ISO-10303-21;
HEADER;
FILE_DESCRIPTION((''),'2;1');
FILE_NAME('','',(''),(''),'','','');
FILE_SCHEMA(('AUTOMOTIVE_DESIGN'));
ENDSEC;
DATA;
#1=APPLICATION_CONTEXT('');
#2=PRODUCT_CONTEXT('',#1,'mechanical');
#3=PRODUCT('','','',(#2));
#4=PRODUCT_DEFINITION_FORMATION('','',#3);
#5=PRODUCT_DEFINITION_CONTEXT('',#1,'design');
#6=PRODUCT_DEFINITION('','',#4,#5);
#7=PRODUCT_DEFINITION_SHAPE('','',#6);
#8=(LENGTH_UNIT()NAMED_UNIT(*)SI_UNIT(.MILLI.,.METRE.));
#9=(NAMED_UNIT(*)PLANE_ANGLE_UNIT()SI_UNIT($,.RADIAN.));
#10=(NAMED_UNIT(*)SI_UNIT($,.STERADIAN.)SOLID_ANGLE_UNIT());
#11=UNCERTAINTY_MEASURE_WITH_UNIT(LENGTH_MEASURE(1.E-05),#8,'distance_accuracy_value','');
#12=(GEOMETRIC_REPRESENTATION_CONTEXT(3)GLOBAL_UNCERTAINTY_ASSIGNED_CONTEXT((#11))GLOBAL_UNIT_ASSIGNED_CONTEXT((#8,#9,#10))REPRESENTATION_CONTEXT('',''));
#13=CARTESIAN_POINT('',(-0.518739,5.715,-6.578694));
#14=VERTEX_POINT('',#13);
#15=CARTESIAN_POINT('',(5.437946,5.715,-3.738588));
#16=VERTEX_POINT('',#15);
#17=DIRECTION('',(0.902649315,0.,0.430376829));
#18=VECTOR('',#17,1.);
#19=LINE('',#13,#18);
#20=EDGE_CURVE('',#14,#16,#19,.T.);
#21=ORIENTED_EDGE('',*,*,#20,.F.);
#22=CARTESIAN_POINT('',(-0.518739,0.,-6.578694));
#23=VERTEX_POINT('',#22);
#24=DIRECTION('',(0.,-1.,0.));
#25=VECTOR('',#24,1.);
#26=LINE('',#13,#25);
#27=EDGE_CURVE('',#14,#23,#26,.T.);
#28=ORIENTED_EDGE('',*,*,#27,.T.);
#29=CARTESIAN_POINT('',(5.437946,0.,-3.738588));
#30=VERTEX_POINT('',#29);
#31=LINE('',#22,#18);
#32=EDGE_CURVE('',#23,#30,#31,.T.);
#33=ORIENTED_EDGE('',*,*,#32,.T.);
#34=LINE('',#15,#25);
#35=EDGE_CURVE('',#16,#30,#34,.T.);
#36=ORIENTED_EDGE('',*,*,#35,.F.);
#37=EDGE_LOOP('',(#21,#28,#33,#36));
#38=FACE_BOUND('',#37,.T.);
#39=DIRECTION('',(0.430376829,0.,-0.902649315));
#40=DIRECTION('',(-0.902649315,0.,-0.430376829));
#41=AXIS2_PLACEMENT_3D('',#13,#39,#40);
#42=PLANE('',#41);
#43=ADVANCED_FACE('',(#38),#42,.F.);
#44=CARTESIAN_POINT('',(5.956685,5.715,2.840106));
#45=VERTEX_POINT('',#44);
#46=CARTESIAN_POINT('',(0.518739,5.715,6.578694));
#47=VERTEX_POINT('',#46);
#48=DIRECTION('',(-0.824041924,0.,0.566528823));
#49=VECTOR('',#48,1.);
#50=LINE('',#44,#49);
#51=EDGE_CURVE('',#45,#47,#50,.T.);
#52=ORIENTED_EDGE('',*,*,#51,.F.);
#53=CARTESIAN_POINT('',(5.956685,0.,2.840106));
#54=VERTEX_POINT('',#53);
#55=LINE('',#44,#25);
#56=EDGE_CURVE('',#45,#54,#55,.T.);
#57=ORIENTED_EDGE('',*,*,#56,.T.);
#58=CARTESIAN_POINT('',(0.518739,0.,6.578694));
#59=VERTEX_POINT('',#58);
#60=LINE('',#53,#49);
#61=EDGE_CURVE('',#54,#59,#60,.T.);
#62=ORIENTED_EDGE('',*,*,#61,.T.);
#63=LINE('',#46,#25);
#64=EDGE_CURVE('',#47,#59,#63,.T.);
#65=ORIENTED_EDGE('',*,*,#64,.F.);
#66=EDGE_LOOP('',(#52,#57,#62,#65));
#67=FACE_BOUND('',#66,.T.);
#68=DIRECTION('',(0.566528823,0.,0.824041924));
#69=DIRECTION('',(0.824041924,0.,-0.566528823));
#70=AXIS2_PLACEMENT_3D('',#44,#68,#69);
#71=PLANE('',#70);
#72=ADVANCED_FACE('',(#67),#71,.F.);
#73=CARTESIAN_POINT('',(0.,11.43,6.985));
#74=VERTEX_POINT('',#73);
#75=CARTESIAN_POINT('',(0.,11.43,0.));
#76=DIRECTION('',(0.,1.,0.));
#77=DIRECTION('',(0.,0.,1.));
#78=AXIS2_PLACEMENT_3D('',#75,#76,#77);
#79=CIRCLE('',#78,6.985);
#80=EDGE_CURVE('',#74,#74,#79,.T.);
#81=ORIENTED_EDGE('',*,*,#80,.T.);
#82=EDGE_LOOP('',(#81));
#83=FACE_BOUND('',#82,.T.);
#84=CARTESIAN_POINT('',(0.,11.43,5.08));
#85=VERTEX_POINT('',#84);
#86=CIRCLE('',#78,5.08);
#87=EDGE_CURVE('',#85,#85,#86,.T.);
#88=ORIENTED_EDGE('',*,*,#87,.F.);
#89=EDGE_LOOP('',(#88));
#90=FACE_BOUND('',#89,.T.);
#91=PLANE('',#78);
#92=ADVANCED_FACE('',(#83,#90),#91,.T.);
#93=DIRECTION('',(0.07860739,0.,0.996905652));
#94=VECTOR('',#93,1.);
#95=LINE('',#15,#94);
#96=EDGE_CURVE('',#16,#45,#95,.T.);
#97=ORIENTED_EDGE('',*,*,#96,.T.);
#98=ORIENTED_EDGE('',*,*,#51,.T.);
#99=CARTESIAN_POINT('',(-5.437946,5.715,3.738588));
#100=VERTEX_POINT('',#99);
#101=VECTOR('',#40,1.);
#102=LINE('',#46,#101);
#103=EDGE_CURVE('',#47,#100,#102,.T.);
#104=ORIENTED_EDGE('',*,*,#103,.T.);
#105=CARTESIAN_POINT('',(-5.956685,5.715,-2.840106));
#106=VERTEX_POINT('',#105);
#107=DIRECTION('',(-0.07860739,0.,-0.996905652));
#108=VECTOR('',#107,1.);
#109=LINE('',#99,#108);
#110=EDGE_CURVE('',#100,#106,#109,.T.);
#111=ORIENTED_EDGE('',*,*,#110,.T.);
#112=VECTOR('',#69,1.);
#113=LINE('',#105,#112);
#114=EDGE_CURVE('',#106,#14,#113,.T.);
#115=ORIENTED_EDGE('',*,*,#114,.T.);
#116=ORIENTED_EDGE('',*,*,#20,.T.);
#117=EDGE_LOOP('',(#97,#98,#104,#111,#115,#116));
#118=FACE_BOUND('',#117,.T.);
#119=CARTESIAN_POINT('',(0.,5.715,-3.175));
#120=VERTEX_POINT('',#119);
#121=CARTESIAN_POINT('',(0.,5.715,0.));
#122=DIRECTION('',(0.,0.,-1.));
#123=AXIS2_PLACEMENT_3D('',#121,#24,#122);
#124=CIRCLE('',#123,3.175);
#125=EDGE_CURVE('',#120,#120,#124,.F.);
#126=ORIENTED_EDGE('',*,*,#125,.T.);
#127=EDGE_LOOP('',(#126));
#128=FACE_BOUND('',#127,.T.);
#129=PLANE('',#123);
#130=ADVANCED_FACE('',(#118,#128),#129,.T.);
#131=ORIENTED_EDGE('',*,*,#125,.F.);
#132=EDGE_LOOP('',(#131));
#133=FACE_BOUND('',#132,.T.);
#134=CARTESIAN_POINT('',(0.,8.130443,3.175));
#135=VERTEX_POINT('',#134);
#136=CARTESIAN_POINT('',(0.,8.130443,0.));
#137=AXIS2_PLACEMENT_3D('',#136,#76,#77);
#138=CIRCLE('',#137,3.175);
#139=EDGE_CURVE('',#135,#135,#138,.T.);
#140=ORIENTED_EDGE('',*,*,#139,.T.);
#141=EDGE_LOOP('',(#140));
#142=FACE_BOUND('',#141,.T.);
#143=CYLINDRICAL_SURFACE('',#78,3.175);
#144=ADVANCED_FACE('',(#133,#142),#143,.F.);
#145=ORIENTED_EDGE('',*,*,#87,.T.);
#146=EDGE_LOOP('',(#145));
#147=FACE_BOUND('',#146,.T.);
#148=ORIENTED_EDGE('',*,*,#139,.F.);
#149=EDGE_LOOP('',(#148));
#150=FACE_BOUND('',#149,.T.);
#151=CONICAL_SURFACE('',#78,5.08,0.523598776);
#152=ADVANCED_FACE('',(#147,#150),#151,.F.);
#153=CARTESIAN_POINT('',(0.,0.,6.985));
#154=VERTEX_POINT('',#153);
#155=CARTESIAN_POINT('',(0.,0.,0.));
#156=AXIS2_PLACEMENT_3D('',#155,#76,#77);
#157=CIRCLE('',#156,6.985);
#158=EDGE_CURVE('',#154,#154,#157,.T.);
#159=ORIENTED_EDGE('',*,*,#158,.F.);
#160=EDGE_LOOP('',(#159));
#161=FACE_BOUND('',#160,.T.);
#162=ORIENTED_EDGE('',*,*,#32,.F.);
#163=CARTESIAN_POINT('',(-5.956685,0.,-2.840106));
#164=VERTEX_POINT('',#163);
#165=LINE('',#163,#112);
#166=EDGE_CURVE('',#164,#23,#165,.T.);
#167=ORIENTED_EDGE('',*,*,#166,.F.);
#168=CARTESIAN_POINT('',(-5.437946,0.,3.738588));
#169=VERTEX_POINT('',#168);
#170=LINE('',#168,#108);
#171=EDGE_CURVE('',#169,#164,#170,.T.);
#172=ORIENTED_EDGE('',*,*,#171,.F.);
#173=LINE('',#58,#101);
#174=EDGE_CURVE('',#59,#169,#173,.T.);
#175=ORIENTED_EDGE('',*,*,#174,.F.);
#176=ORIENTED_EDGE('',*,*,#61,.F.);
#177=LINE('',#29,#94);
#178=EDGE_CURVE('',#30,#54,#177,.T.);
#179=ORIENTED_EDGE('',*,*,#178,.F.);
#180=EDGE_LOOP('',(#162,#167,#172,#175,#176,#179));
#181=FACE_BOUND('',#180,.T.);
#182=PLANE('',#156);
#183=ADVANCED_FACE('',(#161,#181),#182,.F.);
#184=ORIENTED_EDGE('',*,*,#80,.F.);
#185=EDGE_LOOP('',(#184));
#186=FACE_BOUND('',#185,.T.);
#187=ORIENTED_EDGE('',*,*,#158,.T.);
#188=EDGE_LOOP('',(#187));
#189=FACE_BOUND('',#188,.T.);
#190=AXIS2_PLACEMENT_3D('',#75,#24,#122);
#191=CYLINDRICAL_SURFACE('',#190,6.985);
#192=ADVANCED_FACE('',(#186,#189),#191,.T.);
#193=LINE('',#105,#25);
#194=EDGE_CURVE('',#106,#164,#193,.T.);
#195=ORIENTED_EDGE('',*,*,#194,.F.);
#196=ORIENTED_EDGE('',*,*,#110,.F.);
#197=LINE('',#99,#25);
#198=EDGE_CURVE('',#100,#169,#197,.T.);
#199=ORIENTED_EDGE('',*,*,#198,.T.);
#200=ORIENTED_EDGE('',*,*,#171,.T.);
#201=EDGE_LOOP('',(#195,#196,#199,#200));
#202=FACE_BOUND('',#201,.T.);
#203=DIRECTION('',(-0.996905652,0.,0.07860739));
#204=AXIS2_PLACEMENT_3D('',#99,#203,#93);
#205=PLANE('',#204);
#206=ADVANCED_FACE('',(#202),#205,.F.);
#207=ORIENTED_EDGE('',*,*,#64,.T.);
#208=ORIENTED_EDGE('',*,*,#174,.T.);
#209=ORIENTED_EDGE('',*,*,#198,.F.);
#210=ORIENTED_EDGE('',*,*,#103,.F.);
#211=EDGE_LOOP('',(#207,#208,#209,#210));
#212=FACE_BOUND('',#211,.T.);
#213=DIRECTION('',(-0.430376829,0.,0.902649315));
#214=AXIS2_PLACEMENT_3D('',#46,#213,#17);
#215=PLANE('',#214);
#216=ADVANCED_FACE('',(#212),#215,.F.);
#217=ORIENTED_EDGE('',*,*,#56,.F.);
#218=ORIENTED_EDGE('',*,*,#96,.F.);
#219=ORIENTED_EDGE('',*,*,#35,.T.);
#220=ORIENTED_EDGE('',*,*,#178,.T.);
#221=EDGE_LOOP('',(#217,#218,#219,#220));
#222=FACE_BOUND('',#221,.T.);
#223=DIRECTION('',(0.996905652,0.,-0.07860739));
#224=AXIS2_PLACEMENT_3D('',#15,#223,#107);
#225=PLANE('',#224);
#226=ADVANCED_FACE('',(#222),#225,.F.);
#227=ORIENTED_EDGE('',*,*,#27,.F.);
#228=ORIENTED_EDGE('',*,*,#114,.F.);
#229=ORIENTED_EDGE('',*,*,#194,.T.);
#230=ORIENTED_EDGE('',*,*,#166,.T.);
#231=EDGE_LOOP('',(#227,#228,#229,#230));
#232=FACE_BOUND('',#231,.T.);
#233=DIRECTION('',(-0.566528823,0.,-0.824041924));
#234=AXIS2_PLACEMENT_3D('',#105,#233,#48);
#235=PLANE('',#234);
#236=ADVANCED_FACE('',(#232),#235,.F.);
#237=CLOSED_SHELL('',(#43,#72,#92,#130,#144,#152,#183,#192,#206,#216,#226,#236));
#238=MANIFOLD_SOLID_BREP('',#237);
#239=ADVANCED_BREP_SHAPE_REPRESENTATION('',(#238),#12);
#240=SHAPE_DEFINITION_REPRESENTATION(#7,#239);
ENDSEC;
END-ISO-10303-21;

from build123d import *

# Parameters (mm, degrees)
SKETCH1_R                                           = 6.985
BOSS_EXTRUDE1_DEPTH                                 = 11.43
CSK_FOR_1_4_FLAT_HEAD_MACHINE_SCREW_100_D           = 6.35
CSK_FOR_1_4_FLAT_HEAD_MACHINE_SCREW_100_CSINK_D     = 10.16
CSK_FOR_1_4_FLAT_HEAD_MACHINE_SCREW_100_CSINK_ANGLE = 60
CUT_EXTRUDE1_DEPTH                                  = 5.715


with BuildPart() as part:
    # Sketch1 → Boss-Extrude1 (new body)
    with BuildSketch(Plane(origin=(0, 0, 0), x_dir=(1, 0, 0), z_dir=(0, 1, 0))):
        with Locations(Location((0, 0, 0), (0, 0, 270))):
            Circle(SKETCH1_R)
    extrude(amount=BOSS_EXTRUDE1_DEPTH)

    # CSK for 1/4 Flat Head Machine Screw (100)1 (through all)
    with Locations(Plane(origin=(0, 11.43, 0), x_dir=(1, 0, 0), z_dir=(0, 1, 0))):
        with Locations((0, 0)):
            CounterSinkHole(CSK_FOR_1_4_FLAT_HEAD_MACHINE_SCREW_100_D / 2, CSK_FOR_1_4_FLAT_HEAD_MACHINE_SCREW_100_CSINK_D / 2, counter_sink_angle=CSK_FOR_1_4_FLAT_HEAD_MACHINE_SCREW_100_CSINK_ANGLE)

    # Sketch4 → Cut-Extrude1 (cut)
    with BuildSketch(Plane.XZ):
        Polygon((5.43794625, -3.738588047), (5.956685348, 2.840105573), (0.518739098, 6.57869362), (-5.43794625, 3.738588047), (-5.956685348, -2.840105573), (-0.518739098, -6.57869362), align=None)
    extrude(amount=-CUT_EXTRUDE1_DEPTH, mode=Mode.SUBTRACT)


solid = part.part
